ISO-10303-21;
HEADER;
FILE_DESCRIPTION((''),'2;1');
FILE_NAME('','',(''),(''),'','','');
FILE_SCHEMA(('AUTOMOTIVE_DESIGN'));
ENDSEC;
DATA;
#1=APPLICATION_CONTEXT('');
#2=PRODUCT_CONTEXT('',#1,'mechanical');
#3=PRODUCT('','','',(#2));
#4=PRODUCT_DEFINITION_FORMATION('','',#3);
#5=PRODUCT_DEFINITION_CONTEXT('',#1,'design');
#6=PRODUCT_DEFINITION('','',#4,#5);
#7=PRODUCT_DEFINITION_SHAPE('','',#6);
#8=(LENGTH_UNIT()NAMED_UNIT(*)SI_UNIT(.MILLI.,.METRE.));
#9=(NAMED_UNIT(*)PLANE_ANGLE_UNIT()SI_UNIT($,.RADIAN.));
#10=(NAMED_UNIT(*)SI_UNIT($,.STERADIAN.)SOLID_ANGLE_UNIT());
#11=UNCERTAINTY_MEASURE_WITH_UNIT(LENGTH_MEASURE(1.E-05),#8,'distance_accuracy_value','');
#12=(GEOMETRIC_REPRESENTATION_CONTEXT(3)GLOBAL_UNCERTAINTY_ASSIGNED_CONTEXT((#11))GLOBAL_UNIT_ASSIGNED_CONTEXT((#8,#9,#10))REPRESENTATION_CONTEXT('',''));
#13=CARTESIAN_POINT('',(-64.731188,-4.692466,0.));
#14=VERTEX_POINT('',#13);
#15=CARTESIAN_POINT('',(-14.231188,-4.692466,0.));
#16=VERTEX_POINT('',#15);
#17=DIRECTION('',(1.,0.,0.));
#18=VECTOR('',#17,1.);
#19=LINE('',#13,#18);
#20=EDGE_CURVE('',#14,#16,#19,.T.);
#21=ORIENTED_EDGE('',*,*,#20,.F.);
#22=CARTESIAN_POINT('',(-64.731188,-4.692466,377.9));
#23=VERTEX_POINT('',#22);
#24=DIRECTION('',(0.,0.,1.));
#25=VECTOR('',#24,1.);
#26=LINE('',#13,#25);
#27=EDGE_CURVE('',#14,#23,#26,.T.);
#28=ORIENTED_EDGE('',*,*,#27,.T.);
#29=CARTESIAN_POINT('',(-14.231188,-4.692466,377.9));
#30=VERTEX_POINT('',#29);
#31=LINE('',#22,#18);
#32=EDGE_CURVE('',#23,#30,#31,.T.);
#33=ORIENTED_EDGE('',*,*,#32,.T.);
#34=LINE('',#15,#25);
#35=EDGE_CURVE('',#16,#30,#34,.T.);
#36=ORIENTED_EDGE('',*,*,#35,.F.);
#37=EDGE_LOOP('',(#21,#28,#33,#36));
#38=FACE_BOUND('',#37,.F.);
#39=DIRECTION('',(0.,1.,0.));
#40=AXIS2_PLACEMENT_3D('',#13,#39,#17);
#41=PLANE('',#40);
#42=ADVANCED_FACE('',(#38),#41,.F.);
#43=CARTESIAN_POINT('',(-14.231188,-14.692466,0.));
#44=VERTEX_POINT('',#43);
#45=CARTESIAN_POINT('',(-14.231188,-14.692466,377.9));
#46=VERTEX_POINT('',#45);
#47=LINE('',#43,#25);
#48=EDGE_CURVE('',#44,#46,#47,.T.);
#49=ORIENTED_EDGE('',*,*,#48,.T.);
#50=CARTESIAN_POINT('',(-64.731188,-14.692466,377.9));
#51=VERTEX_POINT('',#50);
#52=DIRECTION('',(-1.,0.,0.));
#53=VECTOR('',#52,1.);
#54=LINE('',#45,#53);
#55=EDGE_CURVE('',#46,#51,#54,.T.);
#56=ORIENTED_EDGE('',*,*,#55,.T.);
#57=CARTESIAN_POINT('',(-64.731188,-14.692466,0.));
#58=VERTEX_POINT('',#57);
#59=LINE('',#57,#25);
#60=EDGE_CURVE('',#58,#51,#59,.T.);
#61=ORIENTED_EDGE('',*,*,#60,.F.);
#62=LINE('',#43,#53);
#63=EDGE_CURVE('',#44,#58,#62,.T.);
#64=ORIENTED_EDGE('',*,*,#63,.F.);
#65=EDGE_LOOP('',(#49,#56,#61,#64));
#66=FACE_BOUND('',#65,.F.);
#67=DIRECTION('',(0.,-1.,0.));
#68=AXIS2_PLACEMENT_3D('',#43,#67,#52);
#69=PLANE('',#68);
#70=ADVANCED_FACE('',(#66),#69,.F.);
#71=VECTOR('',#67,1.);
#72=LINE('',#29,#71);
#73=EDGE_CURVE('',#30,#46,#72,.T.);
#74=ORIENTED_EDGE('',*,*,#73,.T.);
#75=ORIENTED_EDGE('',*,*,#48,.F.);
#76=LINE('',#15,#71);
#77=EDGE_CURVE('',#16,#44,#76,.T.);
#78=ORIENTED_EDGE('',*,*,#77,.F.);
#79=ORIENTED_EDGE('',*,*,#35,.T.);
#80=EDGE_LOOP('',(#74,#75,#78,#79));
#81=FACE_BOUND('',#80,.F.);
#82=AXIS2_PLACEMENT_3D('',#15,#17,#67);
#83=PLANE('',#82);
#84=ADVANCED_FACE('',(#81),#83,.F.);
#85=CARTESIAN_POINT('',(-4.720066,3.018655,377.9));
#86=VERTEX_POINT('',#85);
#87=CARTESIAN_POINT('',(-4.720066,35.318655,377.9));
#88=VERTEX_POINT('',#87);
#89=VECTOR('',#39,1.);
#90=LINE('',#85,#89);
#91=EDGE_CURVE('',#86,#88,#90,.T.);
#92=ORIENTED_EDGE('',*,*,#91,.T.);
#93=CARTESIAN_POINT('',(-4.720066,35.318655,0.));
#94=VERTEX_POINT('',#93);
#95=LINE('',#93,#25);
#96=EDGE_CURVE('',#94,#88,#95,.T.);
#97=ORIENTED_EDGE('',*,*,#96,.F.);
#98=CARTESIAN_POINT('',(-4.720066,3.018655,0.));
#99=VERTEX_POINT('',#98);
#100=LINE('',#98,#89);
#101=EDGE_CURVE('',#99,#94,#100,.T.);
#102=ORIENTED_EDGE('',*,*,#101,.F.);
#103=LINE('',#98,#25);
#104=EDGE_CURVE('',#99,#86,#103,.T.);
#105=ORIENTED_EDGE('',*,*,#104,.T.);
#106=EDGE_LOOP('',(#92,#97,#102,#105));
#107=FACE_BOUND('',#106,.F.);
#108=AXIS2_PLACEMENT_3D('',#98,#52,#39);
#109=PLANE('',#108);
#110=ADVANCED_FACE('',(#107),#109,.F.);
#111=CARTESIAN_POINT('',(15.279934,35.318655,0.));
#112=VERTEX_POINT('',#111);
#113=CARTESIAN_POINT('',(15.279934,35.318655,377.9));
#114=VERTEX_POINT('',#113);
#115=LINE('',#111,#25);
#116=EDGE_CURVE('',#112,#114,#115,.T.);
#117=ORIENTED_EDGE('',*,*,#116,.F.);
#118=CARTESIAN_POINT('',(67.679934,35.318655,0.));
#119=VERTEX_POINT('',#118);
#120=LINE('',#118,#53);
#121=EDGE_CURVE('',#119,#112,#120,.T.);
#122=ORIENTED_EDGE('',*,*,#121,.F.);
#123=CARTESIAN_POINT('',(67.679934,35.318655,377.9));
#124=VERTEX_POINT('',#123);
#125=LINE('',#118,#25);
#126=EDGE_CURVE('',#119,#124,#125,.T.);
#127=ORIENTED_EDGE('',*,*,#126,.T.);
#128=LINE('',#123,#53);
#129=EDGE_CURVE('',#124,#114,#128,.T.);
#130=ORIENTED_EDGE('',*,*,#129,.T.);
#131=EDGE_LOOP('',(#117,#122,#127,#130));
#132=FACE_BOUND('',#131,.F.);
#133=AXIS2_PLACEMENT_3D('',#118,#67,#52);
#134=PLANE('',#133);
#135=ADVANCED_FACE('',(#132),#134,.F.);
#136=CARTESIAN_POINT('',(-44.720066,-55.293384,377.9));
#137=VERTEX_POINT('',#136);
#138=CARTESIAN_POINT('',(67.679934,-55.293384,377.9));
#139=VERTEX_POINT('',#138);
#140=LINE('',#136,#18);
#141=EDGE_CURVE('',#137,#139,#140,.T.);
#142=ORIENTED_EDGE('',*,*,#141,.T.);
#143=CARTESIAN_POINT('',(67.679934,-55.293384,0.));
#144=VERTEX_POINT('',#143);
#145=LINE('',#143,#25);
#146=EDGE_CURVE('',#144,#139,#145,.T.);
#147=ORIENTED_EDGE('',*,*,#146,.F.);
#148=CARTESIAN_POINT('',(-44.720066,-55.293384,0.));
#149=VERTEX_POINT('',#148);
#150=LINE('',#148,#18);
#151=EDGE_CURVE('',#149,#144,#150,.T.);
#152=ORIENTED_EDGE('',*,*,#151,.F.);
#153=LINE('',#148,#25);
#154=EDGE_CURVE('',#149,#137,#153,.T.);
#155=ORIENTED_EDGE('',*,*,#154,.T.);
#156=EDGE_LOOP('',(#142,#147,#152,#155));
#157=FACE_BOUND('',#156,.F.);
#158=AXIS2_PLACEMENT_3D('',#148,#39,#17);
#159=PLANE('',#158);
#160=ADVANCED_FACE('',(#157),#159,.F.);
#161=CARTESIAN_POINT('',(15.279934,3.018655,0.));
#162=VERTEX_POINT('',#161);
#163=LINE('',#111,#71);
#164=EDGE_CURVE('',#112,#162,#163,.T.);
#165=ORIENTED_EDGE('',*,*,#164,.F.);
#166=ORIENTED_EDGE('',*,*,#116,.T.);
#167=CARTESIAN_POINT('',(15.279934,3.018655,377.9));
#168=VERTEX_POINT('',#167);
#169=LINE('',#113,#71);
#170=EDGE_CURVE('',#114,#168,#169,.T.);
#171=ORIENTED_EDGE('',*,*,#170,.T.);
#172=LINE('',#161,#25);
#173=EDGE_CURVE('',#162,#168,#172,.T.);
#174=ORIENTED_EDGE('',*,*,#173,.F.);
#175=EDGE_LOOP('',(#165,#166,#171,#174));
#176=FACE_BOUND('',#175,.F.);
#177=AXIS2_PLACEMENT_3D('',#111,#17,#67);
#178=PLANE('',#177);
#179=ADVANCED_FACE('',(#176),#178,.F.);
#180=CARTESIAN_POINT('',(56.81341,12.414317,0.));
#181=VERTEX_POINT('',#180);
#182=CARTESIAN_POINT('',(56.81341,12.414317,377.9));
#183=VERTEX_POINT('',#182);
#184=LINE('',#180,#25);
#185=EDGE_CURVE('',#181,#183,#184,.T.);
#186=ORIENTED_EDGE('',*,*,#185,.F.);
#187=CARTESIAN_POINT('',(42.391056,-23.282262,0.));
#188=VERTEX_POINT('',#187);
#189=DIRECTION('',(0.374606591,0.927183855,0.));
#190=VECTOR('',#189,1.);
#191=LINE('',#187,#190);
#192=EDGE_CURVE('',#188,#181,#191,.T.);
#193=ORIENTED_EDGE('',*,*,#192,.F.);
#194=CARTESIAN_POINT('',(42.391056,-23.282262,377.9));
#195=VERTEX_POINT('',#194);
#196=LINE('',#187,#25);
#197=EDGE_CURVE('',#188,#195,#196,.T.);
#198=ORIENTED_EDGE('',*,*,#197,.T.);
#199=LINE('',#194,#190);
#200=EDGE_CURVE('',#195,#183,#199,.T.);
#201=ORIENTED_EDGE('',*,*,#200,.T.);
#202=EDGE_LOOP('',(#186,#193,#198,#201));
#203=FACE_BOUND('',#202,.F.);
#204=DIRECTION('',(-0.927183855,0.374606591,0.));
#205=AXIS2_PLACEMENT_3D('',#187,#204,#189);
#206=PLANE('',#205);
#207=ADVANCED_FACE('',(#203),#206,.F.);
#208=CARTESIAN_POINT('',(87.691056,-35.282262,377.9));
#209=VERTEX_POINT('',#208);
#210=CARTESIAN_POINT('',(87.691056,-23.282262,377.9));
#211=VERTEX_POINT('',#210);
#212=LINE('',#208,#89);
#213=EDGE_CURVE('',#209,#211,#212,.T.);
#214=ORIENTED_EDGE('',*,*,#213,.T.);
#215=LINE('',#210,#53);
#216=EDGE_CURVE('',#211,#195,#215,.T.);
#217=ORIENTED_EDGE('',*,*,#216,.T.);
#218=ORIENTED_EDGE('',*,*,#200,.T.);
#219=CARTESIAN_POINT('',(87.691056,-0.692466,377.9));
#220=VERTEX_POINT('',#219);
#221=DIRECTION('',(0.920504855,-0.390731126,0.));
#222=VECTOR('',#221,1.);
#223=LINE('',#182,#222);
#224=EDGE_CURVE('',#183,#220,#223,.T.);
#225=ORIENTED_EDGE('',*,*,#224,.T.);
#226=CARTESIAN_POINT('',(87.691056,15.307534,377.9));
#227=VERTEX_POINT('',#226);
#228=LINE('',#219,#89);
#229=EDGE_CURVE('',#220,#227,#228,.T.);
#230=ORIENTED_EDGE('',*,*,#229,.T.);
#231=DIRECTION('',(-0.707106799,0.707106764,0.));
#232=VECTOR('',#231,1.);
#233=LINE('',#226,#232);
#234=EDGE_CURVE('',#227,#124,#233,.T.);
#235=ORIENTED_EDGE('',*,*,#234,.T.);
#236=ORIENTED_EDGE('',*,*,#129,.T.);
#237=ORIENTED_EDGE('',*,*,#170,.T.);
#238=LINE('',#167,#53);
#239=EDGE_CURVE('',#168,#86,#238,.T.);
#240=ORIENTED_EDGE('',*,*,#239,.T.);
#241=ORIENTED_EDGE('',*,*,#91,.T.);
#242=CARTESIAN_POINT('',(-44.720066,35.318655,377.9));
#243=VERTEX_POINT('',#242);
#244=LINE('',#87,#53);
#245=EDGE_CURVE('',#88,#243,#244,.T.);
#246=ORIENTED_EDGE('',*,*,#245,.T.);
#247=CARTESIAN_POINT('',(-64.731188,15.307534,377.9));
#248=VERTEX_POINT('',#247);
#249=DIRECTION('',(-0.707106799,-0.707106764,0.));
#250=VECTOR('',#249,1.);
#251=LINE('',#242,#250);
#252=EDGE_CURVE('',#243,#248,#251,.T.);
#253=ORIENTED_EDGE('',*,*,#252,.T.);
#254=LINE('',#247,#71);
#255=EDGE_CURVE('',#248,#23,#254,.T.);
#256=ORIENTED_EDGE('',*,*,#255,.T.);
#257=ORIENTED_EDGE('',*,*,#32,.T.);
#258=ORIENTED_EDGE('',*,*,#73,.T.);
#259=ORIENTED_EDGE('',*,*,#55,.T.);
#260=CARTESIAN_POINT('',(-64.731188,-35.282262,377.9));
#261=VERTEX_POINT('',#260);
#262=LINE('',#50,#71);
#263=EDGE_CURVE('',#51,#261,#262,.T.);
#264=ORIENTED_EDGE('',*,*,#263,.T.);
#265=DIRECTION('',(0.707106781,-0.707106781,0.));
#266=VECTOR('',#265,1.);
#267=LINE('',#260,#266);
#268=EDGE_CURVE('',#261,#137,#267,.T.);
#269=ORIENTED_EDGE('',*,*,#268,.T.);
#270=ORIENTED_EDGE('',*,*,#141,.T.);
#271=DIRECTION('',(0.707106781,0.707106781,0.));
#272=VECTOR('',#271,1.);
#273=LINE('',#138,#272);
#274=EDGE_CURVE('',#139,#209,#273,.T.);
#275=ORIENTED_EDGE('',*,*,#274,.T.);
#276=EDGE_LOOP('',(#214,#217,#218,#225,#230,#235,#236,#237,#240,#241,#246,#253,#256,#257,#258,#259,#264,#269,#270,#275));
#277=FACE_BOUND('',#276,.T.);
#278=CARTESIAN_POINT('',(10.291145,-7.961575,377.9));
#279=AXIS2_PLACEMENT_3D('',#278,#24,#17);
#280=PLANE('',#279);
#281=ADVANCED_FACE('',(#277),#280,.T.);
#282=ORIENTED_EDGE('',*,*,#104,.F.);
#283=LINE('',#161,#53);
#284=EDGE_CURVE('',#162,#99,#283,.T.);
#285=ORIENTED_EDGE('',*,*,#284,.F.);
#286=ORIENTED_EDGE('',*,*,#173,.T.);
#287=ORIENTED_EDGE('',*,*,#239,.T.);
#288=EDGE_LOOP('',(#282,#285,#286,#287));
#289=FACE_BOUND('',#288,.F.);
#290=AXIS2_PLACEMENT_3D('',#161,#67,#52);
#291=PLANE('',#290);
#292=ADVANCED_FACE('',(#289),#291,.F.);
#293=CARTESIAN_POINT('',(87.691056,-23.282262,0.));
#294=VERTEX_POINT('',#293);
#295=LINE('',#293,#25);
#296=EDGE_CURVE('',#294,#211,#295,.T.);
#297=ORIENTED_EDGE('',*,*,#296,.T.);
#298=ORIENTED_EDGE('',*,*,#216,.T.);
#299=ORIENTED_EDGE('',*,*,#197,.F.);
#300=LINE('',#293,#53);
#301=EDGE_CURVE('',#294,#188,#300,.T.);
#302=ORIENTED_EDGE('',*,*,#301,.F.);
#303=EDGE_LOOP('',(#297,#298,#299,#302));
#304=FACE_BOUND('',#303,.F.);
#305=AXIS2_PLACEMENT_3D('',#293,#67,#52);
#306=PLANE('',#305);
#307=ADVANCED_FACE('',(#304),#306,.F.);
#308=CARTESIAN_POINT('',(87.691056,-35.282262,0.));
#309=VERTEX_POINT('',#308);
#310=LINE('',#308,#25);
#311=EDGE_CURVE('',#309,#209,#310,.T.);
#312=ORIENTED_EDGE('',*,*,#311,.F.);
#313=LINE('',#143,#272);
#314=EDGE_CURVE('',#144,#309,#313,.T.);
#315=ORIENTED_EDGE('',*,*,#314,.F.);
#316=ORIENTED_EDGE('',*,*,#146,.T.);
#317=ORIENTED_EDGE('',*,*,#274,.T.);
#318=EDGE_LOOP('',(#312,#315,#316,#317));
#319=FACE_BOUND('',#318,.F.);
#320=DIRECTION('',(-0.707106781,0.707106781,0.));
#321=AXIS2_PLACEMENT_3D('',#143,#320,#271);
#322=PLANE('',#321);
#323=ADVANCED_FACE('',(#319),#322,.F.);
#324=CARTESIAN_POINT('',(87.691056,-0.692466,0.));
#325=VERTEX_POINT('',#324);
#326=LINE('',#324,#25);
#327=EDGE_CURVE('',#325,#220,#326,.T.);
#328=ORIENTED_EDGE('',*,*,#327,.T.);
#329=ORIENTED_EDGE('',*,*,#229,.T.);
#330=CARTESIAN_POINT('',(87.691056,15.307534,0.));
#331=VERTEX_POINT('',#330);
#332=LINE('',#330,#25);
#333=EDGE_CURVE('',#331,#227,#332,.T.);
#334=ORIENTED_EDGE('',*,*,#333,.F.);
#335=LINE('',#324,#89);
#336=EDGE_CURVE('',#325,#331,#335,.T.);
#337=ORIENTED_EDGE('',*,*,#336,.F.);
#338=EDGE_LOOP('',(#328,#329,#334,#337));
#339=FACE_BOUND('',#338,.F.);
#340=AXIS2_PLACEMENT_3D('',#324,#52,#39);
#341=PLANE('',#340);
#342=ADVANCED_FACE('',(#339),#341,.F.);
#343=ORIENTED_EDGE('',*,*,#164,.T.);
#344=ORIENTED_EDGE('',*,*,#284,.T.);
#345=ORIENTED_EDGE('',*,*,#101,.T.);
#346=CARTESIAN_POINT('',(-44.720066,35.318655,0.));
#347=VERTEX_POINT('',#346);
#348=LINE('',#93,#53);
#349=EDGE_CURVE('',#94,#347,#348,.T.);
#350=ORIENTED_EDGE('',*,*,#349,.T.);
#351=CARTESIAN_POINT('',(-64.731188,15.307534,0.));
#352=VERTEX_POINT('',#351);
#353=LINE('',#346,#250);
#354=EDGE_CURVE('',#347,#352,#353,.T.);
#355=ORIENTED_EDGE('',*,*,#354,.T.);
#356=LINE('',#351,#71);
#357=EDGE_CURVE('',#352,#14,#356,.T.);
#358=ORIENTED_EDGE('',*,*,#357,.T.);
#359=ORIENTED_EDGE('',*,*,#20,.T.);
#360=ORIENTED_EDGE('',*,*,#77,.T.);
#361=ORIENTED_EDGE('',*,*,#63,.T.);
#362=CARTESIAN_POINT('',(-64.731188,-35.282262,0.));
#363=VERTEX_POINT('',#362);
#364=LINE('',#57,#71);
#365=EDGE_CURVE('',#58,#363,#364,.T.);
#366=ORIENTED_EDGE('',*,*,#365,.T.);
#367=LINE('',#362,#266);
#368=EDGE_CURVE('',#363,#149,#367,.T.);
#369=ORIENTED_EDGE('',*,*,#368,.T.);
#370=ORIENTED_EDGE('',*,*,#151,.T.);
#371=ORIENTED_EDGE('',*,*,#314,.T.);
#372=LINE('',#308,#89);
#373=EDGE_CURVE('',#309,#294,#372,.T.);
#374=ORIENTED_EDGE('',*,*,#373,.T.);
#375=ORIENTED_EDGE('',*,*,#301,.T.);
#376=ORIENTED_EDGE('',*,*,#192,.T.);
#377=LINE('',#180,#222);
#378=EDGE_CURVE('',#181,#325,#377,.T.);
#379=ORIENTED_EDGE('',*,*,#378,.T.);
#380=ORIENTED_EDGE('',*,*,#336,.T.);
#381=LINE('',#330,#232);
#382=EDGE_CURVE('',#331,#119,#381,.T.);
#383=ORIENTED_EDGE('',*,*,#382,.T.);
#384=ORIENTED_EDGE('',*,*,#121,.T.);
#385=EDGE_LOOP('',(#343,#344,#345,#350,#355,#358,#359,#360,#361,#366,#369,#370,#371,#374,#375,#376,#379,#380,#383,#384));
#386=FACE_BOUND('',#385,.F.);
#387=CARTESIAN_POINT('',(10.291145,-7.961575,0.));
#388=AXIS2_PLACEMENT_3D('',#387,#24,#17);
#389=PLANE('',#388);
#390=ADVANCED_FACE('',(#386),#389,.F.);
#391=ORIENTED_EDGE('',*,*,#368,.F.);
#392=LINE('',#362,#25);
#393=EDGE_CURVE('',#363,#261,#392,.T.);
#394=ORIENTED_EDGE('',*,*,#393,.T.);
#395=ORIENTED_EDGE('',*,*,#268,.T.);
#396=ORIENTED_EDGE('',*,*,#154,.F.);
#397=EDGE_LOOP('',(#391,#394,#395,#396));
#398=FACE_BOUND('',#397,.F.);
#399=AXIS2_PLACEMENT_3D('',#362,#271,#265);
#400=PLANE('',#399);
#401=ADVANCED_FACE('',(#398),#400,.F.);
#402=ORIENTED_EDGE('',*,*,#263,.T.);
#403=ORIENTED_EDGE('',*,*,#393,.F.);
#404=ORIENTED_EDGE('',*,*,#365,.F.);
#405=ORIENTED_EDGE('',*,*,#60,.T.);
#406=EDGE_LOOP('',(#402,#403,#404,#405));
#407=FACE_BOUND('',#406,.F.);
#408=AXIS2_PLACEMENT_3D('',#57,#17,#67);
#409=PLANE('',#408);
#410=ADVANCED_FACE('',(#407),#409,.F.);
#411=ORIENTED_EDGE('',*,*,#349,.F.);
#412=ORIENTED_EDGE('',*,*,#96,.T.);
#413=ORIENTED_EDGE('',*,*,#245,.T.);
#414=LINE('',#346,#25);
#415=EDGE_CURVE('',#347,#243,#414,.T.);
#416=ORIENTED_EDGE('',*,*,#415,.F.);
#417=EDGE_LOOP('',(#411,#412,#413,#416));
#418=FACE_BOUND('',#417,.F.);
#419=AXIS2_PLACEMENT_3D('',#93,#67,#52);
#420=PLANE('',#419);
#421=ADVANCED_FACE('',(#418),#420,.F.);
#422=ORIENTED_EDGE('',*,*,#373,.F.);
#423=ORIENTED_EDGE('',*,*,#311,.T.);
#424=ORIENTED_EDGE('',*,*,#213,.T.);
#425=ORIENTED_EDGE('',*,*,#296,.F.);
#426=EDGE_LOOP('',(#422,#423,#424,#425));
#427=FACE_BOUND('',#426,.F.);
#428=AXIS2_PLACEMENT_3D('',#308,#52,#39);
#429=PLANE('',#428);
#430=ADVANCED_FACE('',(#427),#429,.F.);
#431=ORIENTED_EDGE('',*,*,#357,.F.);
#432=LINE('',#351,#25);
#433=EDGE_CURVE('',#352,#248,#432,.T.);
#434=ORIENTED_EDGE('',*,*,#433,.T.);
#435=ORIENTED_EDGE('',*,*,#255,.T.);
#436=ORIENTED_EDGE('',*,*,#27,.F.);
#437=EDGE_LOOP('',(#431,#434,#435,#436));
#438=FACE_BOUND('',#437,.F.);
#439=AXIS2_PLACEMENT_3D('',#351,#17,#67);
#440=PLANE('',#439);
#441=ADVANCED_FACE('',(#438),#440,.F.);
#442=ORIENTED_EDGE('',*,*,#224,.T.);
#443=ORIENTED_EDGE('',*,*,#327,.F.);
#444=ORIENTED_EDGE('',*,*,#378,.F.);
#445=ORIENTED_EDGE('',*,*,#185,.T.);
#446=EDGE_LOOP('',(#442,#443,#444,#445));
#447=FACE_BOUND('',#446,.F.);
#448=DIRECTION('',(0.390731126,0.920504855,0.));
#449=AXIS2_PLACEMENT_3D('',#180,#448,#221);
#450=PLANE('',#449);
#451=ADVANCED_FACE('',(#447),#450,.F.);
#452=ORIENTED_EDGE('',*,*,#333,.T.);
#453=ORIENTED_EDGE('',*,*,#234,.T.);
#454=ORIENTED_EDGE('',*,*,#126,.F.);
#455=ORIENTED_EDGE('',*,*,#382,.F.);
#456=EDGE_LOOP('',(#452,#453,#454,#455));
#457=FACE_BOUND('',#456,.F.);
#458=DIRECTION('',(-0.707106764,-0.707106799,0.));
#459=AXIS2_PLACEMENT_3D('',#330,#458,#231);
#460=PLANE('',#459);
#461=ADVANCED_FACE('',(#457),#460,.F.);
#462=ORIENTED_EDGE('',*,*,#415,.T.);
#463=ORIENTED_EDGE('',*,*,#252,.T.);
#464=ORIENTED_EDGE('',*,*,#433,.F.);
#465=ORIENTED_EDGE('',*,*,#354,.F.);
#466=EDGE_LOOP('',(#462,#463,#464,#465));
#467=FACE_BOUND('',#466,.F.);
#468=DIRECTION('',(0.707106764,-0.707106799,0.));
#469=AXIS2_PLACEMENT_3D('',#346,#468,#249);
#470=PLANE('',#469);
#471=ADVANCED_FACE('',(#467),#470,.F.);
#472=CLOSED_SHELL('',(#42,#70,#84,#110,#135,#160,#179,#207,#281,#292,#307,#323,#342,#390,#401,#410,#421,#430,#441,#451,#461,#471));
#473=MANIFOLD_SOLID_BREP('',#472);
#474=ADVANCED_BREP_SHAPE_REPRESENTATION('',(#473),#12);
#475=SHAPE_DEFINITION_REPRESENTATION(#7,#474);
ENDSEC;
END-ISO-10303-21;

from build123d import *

# Parameters (mm, degrees)
F1_DEPTH = 377.9


with BuildPart() as f1:
    # F0 (on Top) → F1 (new body)
    with BuildSketch(Plane.XY):
        Polygon((-64.731188, -35.282262), (-44.720066, -55.293384), (67.679934, -55.293384), (87.691056, -35.282262), (87.691056, -23.282262), (42.391056, -23.282262), (56.81341, 12.414317), (87.691056, -0.692466), (87.691056, 15.307534), (67.679934, 35.318655), (15.279934, 35.318655), (15.279934, 3.018655), (-4.720066, 3.018655), (-4.720066, 35.318655), (-44.720066, 35.318655), (-64.731188, 15.307534), (-64.731188, -4.692466), (-14.231188, -4.692466), (-14.231188, -14.692466), (-64.731188, -14.692466), (-64.731188, -15.282262), align=None)
    extrude(amount=F1_DEPTH)


solid = f1.part
